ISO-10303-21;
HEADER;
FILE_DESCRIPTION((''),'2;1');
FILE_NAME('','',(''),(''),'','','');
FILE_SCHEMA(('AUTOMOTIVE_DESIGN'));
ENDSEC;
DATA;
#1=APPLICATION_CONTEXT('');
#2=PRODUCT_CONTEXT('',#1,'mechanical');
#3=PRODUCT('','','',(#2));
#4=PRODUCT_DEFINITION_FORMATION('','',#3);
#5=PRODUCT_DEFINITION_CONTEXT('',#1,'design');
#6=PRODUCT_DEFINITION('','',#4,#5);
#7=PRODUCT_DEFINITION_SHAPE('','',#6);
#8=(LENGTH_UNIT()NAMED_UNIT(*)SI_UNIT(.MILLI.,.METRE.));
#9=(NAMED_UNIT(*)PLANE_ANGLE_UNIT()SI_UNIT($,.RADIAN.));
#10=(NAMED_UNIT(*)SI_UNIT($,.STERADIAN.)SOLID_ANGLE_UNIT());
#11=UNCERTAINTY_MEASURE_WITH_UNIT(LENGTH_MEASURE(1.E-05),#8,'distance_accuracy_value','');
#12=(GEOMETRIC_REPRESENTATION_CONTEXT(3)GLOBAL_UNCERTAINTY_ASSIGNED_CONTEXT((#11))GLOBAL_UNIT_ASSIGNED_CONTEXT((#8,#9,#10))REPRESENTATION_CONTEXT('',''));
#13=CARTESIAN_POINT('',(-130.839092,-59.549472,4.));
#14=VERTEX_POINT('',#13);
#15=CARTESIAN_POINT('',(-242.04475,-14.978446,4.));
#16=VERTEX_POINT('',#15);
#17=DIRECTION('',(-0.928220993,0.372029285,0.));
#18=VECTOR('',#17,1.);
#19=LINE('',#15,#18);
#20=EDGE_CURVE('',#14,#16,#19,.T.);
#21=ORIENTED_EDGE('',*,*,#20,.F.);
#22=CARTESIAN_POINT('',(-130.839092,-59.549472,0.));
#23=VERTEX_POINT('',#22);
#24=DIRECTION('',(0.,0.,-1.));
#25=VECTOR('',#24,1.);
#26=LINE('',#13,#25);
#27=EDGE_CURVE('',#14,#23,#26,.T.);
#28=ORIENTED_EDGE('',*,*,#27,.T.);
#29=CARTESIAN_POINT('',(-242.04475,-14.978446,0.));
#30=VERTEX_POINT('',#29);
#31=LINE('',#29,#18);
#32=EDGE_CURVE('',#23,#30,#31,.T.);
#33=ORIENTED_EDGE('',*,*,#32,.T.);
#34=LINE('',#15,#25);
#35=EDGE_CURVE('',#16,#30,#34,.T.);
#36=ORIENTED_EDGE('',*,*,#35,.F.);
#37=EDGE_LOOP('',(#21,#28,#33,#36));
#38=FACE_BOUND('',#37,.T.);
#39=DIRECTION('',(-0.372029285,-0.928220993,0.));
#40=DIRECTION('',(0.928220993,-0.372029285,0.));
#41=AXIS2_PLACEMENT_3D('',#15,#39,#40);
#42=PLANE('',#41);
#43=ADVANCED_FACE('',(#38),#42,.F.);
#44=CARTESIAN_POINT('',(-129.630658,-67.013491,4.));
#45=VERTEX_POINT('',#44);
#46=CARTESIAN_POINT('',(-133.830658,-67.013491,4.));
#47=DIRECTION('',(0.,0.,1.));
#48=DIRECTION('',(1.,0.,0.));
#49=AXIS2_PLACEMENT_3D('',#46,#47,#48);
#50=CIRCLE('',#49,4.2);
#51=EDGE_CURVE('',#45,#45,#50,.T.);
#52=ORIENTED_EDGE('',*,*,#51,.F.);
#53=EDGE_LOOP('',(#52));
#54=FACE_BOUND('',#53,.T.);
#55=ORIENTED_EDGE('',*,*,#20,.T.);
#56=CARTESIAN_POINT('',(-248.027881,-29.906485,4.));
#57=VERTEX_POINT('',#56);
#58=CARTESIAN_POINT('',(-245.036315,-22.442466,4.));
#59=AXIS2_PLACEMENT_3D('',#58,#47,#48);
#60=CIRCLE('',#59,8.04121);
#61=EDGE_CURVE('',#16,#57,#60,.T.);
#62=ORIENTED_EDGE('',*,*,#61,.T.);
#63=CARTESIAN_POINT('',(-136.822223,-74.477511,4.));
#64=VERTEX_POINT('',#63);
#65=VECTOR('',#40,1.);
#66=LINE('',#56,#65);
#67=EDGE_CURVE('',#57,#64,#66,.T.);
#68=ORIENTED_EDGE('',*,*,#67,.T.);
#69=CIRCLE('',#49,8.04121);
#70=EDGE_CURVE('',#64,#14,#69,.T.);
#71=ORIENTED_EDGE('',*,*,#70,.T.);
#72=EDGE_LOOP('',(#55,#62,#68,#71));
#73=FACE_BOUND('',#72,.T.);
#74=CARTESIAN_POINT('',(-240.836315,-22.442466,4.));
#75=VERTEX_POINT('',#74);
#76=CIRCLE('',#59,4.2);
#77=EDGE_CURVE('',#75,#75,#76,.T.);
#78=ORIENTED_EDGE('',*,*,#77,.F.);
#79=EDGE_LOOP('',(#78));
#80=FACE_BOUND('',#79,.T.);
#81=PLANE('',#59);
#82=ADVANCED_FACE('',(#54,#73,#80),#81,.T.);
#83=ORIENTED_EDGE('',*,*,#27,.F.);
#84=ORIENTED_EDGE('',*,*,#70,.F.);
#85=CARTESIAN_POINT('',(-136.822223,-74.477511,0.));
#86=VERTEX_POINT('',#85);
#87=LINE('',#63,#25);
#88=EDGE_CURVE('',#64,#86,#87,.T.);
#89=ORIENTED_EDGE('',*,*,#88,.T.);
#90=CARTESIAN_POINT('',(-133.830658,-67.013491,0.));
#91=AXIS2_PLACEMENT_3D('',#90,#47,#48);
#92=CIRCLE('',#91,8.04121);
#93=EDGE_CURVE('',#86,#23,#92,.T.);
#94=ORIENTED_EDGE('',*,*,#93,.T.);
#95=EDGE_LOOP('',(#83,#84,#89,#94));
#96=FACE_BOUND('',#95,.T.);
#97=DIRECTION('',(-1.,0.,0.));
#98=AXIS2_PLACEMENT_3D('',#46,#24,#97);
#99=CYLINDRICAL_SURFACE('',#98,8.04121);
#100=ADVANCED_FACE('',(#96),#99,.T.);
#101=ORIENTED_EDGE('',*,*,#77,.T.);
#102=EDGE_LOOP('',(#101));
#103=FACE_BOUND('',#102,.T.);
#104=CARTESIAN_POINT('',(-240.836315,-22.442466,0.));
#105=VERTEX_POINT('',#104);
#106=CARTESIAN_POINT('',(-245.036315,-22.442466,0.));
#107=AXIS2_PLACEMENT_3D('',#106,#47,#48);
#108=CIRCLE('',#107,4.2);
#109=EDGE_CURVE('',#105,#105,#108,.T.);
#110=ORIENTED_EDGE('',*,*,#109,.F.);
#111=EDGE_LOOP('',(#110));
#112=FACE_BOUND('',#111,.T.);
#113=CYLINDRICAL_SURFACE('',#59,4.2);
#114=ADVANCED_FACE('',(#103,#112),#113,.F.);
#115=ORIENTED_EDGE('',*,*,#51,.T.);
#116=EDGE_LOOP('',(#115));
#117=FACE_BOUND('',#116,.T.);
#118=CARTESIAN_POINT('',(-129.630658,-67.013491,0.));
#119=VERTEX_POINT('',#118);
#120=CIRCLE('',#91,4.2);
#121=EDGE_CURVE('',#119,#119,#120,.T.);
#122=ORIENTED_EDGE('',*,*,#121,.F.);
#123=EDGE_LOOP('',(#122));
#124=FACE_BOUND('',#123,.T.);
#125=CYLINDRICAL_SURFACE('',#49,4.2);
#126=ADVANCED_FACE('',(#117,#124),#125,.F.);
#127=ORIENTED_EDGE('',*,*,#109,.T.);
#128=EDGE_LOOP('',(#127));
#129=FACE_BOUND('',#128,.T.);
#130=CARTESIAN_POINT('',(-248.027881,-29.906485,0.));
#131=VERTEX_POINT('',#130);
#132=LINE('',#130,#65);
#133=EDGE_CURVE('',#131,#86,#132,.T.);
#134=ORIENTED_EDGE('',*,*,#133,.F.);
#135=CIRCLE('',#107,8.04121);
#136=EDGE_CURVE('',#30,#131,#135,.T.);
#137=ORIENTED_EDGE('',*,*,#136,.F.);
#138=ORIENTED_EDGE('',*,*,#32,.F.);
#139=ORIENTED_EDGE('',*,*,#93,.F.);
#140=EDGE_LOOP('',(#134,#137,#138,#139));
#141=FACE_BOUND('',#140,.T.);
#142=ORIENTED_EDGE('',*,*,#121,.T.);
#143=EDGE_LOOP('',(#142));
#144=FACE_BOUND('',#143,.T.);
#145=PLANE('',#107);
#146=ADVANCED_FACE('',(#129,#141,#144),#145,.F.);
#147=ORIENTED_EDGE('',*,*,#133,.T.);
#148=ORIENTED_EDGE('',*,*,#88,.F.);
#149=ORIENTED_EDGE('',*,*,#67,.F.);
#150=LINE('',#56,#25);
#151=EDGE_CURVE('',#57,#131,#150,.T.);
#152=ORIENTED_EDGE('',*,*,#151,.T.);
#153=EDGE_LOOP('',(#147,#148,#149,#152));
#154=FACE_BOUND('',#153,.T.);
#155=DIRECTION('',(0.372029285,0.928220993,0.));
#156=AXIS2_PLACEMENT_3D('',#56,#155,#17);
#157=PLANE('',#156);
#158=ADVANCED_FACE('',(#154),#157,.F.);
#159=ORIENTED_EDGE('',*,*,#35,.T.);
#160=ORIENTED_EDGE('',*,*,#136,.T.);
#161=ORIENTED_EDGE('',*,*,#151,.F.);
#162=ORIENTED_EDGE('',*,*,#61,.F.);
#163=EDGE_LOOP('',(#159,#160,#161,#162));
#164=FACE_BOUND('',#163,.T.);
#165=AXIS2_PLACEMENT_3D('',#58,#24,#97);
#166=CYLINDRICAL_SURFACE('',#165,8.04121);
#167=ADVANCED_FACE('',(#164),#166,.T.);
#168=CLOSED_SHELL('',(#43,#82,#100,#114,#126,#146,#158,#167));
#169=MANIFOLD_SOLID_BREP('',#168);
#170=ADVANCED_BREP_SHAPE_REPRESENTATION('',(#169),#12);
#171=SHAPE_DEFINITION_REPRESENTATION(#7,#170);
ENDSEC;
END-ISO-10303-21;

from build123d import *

# Parameters (mm, degrees)
BOSS_EXTRUDE1_DEPTH  = 4
M8_CLEARANCE_HOLE1_D = 8.4


with BuildPart() as part:
    # Sketch2 → Boss-Extrude1 (new body)
    with BuildSketch(Plane.XY):
        with BuildLine():
            Line((-242.044749956, -14.978446413), (-130.839092357, -59.549471623))
            ThreePointArc((-130.839092357, -59.549471623), (-126.366638289, -70.005056559), (-136.822223226, -74.477510627))
            Line((-136.822223226, -74.477510627), (-248.027880825, -29.906485416))
            ThreePointArc((-248.027880825, -29.906485416), (-252.500334893, -19.45090048), (-242.044749956, -14.978446413))
        make_face()
    extrude(amount=BOSS_EXTRUDE1_DEPTH)

    # M8 Clearance Hole1 (through all)
    with Locations(Plane.XY.offset(4)):
        with Locations((-245.036315391, -22.442465915), (-133.830657791, -67.013491125)):
            Hole(M8_CLEARANCE_HOLE1_D / 2)


solid = part.part
